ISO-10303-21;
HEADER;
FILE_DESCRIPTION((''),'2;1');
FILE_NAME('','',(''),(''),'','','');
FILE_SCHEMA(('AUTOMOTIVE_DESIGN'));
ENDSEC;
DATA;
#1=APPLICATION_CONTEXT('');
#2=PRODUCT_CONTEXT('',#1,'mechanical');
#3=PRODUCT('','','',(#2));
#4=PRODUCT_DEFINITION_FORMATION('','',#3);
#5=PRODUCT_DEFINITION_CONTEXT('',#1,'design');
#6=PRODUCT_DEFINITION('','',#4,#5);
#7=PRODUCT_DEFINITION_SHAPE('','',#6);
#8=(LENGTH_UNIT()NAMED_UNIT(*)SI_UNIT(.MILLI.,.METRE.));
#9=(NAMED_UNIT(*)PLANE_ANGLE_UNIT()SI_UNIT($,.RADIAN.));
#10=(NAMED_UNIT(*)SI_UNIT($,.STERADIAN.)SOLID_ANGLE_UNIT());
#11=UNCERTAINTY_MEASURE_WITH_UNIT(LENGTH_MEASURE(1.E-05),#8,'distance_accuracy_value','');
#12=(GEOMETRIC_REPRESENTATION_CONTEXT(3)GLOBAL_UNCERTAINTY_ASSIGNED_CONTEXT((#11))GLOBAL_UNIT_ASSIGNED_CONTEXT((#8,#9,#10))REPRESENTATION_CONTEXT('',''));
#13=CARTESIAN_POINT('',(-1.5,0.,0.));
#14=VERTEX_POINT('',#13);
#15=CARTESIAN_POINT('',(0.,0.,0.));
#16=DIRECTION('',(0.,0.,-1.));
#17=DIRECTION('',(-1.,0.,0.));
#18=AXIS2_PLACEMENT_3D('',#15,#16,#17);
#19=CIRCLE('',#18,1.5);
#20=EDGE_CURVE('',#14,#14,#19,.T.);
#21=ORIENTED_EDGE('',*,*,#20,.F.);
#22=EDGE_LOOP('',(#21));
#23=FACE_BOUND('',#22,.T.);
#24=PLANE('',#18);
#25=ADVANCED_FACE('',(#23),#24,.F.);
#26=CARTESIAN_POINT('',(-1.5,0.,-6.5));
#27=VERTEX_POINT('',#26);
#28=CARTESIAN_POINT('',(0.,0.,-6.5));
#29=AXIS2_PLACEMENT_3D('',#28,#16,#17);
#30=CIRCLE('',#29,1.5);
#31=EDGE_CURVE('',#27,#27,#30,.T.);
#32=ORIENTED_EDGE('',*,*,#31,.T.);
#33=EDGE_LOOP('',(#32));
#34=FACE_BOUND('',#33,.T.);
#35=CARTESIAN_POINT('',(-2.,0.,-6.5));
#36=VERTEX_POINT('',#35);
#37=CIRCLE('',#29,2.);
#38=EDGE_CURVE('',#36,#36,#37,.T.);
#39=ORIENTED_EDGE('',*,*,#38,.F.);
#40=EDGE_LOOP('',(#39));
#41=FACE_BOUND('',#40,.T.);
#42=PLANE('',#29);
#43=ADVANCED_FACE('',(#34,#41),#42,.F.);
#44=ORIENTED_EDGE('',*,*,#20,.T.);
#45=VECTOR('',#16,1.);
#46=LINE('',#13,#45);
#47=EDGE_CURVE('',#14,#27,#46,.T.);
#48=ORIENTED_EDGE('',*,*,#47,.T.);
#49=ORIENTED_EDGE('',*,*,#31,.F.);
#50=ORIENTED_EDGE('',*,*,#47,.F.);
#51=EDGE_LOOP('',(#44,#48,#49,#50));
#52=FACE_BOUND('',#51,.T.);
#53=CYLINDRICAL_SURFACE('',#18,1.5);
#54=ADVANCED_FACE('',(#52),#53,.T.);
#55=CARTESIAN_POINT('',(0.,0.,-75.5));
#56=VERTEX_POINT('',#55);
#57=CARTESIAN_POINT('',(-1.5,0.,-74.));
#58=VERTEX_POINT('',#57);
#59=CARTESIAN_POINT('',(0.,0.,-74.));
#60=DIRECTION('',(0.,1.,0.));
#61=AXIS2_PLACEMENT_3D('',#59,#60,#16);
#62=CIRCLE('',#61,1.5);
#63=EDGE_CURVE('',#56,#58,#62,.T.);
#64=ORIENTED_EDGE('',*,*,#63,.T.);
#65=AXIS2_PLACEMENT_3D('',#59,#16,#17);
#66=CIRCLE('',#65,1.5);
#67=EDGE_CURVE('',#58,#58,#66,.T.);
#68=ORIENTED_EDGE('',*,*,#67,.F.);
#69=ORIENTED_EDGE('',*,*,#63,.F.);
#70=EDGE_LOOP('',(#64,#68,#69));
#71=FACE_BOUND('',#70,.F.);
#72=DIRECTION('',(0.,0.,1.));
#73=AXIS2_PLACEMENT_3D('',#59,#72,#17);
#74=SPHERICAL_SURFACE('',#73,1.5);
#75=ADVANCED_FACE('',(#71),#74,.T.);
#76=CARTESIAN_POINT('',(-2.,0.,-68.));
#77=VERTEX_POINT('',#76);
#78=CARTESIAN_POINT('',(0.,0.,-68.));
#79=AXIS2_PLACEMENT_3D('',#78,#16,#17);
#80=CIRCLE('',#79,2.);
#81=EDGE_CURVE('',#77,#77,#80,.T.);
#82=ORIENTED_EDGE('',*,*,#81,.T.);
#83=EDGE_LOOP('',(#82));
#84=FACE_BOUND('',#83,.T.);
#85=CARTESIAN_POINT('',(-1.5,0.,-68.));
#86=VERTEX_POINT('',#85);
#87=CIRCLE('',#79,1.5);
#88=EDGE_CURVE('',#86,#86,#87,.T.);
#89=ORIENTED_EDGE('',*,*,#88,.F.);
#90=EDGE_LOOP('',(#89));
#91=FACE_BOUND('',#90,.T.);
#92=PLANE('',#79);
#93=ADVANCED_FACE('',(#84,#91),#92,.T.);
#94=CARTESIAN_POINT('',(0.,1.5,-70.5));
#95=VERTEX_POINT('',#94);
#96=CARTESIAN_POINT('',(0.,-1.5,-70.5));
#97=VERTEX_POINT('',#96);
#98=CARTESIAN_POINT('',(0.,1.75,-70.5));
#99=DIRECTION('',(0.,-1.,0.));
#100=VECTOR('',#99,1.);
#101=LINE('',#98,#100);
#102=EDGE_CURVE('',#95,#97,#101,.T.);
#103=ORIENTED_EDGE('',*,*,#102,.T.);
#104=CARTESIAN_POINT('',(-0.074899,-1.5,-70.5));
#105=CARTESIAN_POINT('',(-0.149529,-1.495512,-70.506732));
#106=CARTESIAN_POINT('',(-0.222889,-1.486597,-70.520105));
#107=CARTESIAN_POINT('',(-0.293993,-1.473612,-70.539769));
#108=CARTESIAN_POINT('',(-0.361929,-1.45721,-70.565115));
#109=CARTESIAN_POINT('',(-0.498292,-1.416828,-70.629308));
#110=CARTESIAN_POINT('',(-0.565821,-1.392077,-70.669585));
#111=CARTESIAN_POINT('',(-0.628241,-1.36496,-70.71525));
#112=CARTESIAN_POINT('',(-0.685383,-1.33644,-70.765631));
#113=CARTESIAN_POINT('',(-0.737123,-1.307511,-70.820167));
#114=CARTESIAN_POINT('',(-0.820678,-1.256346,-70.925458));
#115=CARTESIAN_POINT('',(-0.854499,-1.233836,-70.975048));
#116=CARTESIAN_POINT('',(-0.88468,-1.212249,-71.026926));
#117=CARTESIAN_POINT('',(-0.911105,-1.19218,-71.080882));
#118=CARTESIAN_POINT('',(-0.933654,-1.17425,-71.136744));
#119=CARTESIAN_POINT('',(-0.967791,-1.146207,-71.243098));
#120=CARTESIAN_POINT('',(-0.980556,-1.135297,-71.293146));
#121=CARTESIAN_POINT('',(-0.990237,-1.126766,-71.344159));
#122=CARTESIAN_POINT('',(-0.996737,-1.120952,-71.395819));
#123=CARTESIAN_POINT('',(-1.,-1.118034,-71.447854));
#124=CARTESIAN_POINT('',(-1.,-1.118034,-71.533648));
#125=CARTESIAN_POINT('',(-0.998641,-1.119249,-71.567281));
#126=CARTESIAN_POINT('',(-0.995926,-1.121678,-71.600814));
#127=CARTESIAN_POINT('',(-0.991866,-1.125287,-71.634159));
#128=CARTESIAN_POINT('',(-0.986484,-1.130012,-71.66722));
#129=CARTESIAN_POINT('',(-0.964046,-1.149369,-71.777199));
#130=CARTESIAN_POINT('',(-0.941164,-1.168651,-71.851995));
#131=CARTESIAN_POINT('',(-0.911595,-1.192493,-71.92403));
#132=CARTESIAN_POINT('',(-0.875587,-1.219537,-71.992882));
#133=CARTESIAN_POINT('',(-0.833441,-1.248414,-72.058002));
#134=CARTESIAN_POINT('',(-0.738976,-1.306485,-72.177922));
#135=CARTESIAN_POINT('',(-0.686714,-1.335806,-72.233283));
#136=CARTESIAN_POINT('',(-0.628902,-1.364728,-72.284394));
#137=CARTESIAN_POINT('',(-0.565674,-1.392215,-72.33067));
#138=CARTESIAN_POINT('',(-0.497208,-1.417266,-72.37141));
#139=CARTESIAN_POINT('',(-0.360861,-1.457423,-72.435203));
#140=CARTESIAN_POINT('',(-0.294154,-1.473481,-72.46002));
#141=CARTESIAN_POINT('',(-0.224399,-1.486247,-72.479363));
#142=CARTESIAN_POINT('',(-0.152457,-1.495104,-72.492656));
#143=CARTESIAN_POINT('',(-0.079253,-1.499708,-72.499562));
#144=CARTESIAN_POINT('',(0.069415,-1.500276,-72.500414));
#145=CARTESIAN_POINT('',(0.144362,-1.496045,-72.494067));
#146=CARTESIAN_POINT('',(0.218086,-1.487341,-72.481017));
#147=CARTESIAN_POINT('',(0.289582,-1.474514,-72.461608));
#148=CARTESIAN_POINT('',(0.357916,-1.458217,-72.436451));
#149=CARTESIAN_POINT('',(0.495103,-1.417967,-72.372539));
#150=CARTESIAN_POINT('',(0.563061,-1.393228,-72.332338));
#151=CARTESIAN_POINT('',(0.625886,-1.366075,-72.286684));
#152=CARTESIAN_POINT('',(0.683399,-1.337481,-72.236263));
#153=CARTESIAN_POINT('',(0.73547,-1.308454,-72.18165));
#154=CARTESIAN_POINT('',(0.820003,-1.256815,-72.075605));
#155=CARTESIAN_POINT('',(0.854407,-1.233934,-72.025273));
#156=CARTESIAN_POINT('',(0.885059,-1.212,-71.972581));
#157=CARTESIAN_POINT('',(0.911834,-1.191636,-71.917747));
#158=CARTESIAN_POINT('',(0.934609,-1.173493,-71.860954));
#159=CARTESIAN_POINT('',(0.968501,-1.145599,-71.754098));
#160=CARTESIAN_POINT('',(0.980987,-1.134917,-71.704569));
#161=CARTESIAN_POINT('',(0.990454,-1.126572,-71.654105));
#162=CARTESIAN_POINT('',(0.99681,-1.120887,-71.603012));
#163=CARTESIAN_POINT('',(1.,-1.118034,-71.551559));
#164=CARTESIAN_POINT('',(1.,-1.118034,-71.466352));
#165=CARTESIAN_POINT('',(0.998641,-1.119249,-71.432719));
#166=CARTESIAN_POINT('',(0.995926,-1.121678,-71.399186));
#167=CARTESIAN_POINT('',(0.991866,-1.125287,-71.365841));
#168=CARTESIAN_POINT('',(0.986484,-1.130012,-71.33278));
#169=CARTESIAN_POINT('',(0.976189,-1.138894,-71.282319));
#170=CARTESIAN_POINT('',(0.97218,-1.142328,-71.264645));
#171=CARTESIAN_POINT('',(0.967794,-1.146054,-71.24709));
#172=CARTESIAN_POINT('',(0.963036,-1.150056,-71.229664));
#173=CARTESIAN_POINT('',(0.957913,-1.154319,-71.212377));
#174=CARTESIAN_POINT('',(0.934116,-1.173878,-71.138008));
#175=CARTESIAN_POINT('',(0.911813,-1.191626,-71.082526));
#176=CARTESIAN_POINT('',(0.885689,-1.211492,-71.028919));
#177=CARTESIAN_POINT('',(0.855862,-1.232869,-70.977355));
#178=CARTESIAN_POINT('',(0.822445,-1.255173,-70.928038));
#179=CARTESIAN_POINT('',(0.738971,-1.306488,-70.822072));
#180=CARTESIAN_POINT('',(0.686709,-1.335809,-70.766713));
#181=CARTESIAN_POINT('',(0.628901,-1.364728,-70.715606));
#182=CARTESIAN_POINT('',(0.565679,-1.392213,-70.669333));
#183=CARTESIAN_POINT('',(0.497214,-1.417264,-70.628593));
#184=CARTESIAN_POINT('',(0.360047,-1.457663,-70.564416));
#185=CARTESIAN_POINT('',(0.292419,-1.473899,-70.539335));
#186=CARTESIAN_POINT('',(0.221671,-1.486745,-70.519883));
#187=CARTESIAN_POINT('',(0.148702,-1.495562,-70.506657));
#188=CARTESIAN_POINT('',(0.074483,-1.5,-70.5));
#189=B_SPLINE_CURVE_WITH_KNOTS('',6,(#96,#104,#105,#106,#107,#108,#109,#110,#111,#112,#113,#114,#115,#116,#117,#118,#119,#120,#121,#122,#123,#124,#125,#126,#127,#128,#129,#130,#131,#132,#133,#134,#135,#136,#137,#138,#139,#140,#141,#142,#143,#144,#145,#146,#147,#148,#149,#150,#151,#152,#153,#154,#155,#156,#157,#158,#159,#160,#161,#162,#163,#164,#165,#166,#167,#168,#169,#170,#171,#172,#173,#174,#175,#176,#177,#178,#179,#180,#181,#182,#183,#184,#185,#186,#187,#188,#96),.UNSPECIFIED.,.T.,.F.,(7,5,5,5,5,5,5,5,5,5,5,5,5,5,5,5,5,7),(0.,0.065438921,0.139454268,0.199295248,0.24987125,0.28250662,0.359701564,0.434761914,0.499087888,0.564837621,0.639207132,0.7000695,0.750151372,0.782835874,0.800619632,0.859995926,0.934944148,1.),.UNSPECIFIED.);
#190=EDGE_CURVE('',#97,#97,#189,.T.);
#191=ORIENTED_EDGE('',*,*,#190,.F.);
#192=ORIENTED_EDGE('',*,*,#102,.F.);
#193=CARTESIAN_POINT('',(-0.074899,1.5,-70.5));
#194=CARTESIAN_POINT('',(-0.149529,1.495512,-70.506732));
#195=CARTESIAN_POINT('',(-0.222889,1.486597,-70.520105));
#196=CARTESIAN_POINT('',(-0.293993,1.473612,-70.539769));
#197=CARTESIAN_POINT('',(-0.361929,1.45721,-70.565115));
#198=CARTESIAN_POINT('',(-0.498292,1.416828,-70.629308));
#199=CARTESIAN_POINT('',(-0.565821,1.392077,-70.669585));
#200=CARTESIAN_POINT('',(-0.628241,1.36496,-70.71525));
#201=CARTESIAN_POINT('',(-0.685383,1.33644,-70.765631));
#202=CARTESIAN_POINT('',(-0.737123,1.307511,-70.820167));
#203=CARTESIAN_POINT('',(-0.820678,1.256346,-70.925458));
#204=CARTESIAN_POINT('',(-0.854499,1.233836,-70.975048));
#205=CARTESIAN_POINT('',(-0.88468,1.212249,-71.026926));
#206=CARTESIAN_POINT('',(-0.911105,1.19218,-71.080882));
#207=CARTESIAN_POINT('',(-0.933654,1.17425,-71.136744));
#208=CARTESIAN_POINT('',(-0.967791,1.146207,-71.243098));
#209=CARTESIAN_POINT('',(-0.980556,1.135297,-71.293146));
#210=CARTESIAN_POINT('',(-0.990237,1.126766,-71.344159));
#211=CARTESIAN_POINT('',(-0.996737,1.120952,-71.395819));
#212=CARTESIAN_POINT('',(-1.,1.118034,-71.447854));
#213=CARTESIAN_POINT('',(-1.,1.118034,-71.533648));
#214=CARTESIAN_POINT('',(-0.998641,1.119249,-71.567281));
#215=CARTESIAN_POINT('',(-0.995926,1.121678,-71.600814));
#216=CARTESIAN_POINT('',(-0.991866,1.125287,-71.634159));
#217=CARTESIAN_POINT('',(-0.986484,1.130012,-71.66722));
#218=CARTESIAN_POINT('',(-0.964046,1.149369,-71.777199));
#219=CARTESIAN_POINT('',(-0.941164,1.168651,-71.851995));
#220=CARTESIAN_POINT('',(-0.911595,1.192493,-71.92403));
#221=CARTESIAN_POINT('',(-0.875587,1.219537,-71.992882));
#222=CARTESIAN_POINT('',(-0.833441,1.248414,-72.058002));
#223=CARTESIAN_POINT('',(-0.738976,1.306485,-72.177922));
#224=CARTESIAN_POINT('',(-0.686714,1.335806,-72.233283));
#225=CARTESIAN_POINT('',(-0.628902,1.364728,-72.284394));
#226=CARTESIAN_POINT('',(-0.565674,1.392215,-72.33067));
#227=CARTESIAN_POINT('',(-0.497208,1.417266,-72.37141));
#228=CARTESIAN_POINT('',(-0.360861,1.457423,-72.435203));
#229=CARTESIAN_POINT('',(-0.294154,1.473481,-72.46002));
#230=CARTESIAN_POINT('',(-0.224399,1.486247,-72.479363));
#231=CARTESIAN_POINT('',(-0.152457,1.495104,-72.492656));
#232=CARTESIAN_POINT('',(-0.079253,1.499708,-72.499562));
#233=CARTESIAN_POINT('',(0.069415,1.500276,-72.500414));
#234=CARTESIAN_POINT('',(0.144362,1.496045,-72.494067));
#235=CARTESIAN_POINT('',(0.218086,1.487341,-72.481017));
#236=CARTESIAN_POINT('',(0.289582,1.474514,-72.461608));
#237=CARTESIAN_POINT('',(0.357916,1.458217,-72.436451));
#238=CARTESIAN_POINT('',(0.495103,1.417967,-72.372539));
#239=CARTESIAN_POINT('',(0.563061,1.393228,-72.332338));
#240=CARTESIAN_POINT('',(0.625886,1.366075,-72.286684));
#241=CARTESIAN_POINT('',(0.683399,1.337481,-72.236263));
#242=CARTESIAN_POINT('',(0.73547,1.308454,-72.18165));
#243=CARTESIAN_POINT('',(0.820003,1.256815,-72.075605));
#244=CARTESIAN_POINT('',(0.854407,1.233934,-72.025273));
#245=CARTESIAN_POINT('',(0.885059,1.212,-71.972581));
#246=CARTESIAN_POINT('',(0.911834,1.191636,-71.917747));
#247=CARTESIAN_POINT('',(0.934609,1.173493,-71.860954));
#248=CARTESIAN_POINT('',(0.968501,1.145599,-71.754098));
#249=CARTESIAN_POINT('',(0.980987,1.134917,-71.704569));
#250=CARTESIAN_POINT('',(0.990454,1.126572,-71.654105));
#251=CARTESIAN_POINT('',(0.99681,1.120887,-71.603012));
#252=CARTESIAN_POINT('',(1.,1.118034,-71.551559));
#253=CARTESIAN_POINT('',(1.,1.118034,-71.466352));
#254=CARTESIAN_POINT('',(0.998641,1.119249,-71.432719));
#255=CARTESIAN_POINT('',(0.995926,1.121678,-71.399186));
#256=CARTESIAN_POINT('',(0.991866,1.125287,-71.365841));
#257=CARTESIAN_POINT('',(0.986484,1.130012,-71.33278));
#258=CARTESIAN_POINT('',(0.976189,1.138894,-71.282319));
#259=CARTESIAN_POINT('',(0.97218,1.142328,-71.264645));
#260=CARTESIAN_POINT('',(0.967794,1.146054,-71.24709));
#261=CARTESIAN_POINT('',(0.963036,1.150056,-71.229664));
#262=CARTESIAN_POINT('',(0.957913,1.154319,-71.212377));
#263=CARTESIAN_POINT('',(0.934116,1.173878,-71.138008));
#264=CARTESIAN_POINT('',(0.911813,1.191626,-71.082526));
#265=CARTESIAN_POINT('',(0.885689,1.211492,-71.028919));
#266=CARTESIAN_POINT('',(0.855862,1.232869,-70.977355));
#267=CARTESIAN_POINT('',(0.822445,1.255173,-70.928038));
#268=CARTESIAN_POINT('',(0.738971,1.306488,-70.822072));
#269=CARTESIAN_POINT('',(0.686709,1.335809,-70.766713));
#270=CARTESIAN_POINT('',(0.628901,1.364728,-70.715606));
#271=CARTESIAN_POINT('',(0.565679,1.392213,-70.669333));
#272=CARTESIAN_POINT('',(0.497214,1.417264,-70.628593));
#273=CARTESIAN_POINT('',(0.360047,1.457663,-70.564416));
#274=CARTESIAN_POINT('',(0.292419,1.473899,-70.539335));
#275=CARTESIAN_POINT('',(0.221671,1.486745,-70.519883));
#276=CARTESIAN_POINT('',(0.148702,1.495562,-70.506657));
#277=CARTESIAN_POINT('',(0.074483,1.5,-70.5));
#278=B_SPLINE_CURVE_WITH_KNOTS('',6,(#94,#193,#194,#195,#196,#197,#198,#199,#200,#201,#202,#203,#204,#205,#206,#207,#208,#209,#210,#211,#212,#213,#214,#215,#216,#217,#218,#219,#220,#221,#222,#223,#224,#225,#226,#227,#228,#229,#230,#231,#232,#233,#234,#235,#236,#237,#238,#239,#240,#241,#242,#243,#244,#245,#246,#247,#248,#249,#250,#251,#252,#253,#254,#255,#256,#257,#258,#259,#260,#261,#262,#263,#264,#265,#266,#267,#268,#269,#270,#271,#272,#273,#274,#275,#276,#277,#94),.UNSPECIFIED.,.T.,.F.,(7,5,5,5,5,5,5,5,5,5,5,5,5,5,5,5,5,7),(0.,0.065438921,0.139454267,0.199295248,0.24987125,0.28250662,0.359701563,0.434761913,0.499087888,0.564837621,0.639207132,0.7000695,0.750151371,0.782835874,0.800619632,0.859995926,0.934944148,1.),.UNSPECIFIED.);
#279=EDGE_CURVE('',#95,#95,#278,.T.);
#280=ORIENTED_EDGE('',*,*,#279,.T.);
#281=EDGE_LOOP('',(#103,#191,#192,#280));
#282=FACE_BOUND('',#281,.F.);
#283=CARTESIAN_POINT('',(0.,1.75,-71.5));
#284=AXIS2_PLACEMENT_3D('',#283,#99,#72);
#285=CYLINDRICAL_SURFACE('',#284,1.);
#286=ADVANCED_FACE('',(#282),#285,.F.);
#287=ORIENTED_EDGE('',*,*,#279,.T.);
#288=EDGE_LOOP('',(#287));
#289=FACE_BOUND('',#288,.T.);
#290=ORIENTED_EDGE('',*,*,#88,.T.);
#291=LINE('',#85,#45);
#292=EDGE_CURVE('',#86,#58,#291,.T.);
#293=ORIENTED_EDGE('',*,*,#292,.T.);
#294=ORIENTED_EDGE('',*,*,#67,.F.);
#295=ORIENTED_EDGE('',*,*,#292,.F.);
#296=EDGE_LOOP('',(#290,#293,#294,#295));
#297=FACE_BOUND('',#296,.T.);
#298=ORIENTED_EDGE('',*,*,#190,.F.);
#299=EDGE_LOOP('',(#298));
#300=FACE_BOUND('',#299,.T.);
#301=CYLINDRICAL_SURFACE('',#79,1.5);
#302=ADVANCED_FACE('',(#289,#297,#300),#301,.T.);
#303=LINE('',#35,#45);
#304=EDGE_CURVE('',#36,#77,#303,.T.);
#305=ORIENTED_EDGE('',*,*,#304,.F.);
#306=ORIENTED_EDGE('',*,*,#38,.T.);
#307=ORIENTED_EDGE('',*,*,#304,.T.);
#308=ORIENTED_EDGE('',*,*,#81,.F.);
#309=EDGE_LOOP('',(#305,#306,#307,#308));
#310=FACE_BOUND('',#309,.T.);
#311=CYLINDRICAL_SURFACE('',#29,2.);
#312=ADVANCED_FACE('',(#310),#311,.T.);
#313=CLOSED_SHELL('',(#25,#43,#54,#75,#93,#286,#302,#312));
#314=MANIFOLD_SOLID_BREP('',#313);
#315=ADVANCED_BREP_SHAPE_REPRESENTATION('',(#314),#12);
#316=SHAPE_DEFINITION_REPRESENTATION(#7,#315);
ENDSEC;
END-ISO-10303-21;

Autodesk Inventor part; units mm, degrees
ref_plane "YZ Plane" through (0, 0, 0) normal (1, 0, 0) x (0, 1, 0)
ref_plane "XY Plane" through (0, 0, 0) normal (0, 0, 1) x (1, 0, 0)
sketch "Skizze1" plane through (0, 0, 0) normal (0, 1, 0) x (-1, 0, 0)
  line L0 (0, 0) -> (1.5, 0)
  line L1 (1.5, 0) -> (1.5, -6.5)
  line L2 (1.5, -6.5) -> (2, -6.5)
  line L3 (2, -6.5) -> (2, -68)
  line L4 (0, 0) -> (0, -75.5)
  line L5 (2, -68) -> (1.5, -68)
  line L6 (1.5, -68) -> (1.5, -74)
  arc A0 (0, -75.5) -> (1.5, -74) centre (0, -74) ccw
  point P0 (0, -26.7554)
  dimension "d0" = 6.5
  dimension "d1" = 3
  dimension "d2" = 4
  dimension "d5" = 61.5
  dimension "d6" = 0.5
  dimension "d7" = 6
revolve "Umdrehung1" add sketch "Skizze1" angle 360 about axis through (0, 0, 0) along (0, 0, -1)
thread "Gewinde1" size "M3x0.5" class "6g" standard "ISO Metric profile" length 18
ref_plane "Arbeitsebene1" through (0, 1.75, 0) normal (0, 1, 0) x (-1, 0, 0)
sketch "Skizze2" plane through (0, 1.75, 0) normal (0, 1, 0) x (-1, 0, 0)
  line L0 (-2, -68) -> (2, -68) projected
  point P0 (0, 0)
  point P1 (0, -71.5)
  dimension "d13" = 3.5
hole "Bohrung1" at (0, 1.75, -71.5) direction (0, -1, 0) diameter 2 end through all
properties part number "19"
